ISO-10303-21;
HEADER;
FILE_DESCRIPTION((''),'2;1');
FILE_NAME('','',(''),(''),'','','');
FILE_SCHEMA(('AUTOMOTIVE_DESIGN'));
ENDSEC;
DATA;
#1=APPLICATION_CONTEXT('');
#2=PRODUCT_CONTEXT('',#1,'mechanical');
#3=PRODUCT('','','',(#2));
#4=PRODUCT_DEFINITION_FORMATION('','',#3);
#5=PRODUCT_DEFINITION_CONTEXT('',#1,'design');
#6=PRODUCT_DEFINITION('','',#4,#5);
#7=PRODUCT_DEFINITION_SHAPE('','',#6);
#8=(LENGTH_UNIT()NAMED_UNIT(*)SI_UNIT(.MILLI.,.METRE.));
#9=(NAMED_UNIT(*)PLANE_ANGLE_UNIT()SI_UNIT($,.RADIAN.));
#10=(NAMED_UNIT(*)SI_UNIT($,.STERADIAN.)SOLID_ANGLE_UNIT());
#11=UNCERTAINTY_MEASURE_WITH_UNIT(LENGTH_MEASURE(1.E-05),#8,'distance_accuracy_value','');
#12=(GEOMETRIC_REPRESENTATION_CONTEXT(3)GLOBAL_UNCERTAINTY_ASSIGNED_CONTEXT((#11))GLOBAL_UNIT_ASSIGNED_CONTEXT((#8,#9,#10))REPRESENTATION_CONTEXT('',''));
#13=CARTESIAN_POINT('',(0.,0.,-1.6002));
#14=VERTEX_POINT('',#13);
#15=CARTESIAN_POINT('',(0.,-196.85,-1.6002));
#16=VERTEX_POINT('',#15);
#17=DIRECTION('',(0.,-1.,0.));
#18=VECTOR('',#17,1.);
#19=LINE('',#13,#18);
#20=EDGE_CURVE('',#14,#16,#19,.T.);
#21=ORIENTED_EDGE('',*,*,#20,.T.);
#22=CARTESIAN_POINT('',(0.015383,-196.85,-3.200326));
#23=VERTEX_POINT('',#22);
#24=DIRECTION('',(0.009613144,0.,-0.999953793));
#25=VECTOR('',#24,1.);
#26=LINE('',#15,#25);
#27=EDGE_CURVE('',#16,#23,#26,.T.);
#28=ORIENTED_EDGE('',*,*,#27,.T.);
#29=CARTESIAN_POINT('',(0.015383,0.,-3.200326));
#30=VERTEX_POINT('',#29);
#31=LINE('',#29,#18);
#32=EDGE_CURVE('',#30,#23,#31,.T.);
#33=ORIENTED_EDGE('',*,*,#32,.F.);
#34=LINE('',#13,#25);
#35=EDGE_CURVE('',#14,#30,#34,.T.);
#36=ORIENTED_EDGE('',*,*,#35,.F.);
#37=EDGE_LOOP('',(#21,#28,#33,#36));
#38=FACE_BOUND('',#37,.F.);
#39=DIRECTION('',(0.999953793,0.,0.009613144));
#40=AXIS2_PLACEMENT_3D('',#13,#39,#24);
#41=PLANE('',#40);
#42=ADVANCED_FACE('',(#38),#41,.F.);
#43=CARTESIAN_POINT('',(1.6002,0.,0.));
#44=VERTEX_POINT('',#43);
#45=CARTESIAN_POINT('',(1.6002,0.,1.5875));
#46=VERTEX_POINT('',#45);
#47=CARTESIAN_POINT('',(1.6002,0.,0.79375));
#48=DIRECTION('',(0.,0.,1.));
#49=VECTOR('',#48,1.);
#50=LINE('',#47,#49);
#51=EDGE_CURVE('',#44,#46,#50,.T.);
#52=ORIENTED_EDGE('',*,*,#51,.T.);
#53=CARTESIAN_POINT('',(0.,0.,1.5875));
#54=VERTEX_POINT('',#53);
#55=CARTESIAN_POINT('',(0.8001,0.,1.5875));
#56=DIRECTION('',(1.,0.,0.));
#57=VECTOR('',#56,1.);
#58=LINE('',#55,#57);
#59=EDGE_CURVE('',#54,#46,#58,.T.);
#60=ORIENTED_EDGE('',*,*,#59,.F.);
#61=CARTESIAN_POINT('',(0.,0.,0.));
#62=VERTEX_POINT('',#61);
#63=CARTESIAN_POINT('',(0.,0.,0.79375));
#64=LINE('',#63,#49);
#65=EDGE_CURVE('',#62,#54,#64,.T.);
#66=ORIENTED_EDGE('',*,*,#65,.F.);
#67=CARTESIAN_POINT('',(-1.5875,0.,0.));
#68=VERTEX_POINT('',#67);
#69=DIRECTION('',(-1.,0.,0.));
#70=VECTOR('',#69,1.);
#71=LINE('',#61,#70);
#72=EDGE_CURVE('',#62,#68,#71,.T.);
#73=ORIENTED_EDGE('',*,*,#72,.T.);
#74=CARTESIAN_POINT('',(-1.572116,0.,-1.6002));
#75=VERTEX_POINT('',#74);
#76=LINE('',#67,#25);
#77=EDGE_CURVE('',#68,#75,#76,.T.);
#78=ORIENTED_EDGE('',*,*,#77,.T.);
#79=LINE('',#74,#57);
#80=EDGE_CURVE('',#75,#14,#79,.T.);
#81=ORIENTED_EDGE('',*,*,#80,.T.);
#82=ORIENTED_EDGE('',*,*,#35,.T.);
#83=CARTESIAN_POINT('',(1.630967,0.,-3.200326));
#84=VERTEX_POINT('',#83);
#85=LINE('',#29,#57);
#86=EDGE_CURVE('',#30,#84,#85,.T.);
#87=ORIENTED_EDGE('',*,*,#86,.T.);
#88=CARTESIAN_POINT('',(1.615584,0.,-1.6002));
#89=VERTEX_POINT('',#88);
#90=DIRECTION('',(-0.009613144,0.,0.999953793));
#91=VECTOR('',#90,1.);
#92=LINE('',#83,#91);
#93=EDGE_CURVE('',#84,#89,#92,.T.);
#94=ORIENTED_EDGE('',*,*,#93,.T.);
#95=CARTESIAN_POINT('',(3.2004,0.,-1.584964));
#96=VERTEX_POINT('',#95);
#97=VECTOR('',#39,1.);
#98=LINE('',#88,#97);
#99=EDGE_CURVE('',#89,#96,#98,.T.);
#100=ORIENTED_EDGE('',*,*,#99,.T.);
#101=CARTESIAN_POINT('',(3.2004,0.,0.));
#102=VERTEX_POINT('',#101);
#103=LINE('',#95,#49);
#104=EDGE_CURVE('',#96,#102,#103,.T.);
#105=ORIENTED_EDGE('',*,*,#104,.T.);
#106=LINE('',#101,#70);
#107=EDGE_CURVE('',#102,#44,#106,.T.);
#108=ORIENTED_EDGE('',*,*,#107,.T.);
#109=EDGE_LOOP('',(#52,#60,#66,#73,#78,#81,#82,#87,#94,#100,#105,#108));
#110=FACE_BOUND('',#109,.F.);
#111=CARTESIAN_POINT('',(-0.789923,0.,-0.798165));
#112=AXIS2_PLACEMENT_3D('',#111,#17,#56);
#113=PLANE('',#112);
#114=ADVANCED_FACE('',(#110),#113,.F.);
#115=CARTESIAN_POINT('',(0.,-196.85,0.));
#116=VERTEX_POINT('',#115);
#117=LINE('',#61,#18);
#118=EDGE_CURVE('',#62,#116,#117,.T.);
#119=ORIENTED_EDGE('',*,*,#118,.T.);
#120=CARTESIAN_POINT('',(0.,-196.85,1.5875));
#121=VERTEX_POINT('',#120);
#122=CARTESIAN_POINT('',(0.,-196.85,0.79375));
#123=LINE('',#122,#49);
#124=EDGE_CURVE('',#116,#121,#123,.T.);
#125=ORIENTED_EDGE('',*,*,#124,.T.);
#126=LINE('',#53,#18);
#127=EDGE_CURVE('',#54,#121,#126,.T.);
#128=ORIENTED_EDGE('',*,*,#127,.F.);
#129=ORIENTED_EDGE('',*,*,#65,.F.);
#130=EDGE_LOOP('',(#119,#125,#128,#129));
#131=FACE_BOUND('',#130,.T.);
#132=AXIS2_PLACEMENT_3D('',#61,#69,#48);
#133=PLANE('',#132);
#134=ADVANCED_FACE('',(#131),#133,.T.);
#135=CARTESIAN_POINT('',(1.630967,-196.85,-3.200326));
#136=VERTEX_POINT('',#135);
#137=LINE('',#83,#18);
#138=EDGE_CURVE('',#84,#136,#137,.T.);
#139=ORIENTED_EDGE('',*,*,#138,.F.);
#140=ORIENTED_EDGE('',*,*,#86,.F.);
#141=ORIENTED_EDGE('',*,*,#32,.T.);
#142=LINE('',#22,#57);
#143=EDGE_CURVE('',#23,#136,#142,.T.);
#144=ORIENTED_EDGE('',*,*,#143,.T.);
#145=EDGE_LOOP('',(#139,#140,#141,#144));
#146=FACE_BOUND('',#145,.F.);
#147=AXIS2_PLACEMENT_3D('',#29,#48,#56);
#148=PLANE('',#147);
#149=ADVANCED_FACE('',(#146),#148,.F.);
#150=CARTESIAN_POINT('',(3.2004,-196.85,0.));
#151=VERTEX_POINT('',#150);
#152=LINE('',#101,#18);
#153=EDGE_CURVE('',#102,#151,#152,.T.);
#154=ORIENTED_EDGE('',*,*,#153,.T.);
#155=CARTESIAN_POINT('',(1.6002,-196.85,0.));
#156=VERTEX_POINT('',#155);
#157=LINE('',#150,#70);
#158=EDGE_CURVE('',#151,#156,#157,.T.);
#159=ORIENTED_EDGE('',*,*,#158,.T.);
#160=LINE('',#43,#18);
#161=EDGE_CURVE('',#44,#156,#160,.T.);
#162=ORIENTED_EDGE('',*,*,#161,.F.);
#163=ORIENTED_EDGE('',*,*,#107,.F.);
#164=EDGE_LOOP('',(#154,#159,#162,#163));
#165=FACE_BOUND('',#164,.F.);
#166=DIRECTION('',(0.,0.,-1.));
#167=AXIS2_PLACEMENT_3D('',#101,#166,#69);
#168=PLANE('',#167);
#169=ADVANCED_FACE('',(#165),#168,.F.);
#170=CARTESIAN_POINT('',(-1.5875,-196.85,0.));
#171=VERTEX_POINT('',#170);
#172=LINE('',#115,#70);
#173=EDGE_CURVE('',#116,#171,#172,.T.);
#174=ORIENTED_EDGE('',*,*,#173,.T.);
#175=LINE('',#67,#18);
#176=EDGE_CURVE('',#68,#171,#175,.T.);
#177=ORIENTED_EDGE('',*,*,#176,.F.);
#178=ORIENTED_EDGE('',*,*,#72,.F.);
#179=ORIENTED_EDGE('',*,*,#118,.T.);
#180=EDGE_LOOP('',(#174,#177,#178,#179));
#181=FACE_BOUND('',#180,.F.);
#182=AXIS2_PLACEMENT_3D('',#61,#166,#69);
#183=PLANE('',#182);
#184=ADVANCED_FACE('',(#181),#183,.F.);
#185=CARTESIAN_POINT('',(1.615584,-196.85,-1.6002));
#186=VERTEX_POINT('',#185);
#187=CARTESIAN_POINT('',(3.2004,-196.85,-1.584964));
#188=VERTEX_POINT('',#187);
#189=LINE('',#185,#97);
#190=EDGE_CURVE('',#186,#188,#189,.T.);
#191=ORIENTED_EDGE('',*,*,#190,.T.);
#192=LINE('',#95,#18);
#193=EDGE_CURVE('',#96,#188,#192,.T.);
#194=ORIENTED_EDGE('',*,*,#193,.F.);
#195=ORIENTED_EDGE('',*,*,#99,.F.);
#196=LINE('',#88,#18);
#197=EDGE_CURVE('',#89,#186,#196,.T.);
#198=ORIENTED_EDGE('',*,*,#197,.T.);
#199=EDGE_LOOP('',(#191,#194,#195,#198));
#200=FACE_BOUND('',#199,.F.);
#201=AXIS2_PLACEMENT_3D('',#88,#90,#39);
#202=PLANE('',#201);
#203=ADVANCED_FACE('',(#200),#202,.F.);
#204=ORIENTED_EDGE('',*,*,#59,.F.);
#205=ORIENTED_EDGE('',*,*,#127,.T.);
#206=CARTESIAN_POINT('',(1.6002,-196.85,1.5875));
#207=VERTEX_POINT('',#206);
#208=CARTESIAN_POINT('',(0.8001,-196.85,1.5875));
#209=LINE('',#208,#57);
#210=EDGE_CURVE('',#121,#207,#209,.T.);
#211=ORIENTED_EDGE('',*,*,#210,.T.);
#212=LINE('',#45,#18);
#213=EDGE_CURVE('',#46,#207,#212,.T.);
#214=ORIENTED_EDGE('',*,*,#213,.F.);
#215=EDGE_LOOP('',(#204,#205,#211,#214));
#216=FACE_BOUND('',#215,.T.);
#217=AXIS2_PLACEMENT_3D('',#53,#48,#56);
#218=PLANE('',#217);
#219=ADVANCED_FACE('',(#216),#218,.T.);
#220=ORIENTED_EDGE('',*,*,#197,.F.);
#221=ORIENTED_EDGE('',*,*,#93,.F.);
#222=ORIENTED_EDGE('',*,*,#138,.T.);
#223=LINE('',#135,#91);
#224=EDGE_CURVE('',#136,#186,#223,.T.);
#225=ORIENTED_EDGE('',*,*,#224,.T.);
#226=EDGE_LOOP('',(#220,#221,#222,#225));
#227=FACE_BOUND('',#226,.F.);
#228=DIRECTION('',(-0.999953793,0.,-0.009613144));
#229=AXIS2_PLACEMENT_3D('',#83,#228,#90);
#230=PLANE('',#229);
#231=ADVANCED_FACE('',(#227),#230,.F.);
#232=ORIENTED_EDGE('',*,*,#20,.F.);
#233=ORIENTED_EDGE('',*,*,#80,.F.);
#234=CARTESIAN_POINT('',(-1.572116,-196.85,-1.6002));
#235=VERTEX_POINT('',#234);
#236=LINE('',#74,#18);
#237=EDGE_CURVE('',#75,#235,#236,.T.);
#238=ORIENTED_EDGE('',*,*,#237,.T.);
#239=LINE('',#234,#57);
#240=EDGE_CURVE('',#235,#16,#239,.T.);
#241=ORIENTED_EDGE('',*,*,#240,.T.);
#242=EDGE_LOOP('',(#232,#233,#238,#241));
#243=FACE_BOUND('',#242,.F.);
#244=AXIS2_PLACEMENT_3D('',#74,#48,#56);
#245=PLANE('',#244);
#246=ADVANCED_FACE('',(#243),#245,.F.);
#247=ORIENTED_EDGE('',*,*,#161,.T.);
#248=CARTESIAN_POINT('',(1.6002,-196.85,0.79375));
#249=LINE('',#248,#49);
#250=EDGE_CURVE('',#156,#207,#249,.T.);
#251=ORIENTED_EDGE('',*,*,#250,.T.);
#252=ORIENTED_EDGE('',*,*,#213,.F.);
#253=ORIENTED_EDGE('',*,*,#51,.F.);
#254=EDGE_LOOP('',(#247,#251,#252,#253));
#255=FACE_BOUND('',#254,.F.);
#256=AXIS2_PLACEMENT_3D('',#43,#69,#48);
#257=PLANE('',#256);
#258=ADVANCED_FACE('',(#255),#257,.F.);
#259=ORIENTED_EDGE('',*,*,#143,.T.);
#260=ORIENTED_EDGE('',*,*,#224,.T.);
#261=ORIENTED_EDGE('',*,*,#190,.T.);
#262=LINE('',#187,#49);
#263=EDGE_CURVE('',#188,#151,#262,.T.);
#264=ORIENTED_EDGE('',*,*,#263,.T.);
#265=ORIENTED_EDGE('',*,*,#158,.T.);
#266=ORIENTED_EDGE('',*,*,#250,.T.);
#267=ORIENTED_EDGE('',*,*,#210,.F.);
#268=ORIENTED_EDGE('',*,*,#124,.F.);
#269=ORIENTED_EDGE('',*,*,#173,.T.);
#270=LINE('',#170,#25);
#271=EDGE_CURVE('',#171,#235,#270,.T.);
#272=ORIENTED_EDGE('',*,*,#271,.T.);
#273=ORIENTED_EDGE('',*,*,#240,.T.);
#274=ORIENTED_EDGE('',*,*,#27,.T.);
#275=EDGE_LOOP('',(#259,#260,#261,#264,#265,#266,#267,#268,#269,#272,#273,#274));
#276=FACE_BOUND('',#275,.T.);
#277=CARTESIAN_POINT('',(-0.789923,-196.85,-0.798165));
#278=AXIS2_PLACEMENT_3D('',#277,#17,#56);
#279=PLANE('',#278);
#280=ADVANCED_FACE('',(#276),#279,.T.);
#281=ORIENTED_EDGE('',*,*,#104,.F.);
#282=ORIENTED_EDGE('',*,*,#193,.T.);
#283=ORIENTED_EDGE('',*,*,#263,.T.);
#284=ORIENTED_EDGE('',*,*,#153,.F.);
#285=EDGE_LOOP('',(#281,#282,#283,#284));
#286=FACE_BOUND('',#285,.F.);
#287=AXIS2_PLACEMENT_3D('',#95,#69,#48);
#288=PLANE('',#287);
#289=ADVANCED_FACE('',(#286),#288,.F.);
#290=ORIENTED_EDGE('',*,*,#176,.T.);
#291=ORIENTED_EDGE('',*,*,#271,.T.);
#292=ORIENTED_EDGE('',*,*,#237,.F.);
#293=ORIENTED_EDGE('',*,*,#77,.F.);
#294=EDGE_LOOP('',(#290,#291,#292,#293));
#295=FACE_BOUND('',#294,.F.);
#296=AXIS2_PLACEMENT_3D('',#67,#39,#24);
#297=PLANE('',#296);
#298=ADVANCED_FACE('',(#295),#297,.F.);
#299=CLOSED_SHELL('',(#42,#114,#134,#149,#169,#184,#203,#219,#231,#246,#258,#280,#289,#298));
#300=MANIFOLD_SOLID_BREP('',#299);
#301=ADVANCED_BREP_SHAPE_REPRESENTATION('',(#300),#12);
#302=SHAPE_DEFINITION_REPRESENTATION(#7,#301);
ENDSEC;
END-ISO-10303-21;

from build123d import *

# Parameters (mm, degrees)
F0_W     = 1.6002
F0_H     = 1.5875
F1_DEPTH = 196.85


with BuildPart() as f1:
    # F0 (on Front) → F1 (new body)
    with BuildSketch(Plane.XZ):
        Polygon((0, -1.6002), (0, 0), (-1.5875, 0), (-1.5721163362, -1.6002), align=None)
        with Locations((0.8001, 0.79375)):
            Rectangle(F0_W, F0_H)
        Polygon((1.6002, 0), (0, 0), (0, -1.6002), (1.6155836638, -1.6002), align=None)
        Polygon((3.2004, 0), (1.6002, 0), (1.6155836638, -1.6002), (3.2004, -1.5849642284), align=None)
        Polygon((1.6155836638, -1.6002), (0, -1.6002), (0.015382953, -3.200326059), (1.6309666168, -3.200326059), align=None)
    extrude(amount=F1_DEPTH)


solid = f1.part
